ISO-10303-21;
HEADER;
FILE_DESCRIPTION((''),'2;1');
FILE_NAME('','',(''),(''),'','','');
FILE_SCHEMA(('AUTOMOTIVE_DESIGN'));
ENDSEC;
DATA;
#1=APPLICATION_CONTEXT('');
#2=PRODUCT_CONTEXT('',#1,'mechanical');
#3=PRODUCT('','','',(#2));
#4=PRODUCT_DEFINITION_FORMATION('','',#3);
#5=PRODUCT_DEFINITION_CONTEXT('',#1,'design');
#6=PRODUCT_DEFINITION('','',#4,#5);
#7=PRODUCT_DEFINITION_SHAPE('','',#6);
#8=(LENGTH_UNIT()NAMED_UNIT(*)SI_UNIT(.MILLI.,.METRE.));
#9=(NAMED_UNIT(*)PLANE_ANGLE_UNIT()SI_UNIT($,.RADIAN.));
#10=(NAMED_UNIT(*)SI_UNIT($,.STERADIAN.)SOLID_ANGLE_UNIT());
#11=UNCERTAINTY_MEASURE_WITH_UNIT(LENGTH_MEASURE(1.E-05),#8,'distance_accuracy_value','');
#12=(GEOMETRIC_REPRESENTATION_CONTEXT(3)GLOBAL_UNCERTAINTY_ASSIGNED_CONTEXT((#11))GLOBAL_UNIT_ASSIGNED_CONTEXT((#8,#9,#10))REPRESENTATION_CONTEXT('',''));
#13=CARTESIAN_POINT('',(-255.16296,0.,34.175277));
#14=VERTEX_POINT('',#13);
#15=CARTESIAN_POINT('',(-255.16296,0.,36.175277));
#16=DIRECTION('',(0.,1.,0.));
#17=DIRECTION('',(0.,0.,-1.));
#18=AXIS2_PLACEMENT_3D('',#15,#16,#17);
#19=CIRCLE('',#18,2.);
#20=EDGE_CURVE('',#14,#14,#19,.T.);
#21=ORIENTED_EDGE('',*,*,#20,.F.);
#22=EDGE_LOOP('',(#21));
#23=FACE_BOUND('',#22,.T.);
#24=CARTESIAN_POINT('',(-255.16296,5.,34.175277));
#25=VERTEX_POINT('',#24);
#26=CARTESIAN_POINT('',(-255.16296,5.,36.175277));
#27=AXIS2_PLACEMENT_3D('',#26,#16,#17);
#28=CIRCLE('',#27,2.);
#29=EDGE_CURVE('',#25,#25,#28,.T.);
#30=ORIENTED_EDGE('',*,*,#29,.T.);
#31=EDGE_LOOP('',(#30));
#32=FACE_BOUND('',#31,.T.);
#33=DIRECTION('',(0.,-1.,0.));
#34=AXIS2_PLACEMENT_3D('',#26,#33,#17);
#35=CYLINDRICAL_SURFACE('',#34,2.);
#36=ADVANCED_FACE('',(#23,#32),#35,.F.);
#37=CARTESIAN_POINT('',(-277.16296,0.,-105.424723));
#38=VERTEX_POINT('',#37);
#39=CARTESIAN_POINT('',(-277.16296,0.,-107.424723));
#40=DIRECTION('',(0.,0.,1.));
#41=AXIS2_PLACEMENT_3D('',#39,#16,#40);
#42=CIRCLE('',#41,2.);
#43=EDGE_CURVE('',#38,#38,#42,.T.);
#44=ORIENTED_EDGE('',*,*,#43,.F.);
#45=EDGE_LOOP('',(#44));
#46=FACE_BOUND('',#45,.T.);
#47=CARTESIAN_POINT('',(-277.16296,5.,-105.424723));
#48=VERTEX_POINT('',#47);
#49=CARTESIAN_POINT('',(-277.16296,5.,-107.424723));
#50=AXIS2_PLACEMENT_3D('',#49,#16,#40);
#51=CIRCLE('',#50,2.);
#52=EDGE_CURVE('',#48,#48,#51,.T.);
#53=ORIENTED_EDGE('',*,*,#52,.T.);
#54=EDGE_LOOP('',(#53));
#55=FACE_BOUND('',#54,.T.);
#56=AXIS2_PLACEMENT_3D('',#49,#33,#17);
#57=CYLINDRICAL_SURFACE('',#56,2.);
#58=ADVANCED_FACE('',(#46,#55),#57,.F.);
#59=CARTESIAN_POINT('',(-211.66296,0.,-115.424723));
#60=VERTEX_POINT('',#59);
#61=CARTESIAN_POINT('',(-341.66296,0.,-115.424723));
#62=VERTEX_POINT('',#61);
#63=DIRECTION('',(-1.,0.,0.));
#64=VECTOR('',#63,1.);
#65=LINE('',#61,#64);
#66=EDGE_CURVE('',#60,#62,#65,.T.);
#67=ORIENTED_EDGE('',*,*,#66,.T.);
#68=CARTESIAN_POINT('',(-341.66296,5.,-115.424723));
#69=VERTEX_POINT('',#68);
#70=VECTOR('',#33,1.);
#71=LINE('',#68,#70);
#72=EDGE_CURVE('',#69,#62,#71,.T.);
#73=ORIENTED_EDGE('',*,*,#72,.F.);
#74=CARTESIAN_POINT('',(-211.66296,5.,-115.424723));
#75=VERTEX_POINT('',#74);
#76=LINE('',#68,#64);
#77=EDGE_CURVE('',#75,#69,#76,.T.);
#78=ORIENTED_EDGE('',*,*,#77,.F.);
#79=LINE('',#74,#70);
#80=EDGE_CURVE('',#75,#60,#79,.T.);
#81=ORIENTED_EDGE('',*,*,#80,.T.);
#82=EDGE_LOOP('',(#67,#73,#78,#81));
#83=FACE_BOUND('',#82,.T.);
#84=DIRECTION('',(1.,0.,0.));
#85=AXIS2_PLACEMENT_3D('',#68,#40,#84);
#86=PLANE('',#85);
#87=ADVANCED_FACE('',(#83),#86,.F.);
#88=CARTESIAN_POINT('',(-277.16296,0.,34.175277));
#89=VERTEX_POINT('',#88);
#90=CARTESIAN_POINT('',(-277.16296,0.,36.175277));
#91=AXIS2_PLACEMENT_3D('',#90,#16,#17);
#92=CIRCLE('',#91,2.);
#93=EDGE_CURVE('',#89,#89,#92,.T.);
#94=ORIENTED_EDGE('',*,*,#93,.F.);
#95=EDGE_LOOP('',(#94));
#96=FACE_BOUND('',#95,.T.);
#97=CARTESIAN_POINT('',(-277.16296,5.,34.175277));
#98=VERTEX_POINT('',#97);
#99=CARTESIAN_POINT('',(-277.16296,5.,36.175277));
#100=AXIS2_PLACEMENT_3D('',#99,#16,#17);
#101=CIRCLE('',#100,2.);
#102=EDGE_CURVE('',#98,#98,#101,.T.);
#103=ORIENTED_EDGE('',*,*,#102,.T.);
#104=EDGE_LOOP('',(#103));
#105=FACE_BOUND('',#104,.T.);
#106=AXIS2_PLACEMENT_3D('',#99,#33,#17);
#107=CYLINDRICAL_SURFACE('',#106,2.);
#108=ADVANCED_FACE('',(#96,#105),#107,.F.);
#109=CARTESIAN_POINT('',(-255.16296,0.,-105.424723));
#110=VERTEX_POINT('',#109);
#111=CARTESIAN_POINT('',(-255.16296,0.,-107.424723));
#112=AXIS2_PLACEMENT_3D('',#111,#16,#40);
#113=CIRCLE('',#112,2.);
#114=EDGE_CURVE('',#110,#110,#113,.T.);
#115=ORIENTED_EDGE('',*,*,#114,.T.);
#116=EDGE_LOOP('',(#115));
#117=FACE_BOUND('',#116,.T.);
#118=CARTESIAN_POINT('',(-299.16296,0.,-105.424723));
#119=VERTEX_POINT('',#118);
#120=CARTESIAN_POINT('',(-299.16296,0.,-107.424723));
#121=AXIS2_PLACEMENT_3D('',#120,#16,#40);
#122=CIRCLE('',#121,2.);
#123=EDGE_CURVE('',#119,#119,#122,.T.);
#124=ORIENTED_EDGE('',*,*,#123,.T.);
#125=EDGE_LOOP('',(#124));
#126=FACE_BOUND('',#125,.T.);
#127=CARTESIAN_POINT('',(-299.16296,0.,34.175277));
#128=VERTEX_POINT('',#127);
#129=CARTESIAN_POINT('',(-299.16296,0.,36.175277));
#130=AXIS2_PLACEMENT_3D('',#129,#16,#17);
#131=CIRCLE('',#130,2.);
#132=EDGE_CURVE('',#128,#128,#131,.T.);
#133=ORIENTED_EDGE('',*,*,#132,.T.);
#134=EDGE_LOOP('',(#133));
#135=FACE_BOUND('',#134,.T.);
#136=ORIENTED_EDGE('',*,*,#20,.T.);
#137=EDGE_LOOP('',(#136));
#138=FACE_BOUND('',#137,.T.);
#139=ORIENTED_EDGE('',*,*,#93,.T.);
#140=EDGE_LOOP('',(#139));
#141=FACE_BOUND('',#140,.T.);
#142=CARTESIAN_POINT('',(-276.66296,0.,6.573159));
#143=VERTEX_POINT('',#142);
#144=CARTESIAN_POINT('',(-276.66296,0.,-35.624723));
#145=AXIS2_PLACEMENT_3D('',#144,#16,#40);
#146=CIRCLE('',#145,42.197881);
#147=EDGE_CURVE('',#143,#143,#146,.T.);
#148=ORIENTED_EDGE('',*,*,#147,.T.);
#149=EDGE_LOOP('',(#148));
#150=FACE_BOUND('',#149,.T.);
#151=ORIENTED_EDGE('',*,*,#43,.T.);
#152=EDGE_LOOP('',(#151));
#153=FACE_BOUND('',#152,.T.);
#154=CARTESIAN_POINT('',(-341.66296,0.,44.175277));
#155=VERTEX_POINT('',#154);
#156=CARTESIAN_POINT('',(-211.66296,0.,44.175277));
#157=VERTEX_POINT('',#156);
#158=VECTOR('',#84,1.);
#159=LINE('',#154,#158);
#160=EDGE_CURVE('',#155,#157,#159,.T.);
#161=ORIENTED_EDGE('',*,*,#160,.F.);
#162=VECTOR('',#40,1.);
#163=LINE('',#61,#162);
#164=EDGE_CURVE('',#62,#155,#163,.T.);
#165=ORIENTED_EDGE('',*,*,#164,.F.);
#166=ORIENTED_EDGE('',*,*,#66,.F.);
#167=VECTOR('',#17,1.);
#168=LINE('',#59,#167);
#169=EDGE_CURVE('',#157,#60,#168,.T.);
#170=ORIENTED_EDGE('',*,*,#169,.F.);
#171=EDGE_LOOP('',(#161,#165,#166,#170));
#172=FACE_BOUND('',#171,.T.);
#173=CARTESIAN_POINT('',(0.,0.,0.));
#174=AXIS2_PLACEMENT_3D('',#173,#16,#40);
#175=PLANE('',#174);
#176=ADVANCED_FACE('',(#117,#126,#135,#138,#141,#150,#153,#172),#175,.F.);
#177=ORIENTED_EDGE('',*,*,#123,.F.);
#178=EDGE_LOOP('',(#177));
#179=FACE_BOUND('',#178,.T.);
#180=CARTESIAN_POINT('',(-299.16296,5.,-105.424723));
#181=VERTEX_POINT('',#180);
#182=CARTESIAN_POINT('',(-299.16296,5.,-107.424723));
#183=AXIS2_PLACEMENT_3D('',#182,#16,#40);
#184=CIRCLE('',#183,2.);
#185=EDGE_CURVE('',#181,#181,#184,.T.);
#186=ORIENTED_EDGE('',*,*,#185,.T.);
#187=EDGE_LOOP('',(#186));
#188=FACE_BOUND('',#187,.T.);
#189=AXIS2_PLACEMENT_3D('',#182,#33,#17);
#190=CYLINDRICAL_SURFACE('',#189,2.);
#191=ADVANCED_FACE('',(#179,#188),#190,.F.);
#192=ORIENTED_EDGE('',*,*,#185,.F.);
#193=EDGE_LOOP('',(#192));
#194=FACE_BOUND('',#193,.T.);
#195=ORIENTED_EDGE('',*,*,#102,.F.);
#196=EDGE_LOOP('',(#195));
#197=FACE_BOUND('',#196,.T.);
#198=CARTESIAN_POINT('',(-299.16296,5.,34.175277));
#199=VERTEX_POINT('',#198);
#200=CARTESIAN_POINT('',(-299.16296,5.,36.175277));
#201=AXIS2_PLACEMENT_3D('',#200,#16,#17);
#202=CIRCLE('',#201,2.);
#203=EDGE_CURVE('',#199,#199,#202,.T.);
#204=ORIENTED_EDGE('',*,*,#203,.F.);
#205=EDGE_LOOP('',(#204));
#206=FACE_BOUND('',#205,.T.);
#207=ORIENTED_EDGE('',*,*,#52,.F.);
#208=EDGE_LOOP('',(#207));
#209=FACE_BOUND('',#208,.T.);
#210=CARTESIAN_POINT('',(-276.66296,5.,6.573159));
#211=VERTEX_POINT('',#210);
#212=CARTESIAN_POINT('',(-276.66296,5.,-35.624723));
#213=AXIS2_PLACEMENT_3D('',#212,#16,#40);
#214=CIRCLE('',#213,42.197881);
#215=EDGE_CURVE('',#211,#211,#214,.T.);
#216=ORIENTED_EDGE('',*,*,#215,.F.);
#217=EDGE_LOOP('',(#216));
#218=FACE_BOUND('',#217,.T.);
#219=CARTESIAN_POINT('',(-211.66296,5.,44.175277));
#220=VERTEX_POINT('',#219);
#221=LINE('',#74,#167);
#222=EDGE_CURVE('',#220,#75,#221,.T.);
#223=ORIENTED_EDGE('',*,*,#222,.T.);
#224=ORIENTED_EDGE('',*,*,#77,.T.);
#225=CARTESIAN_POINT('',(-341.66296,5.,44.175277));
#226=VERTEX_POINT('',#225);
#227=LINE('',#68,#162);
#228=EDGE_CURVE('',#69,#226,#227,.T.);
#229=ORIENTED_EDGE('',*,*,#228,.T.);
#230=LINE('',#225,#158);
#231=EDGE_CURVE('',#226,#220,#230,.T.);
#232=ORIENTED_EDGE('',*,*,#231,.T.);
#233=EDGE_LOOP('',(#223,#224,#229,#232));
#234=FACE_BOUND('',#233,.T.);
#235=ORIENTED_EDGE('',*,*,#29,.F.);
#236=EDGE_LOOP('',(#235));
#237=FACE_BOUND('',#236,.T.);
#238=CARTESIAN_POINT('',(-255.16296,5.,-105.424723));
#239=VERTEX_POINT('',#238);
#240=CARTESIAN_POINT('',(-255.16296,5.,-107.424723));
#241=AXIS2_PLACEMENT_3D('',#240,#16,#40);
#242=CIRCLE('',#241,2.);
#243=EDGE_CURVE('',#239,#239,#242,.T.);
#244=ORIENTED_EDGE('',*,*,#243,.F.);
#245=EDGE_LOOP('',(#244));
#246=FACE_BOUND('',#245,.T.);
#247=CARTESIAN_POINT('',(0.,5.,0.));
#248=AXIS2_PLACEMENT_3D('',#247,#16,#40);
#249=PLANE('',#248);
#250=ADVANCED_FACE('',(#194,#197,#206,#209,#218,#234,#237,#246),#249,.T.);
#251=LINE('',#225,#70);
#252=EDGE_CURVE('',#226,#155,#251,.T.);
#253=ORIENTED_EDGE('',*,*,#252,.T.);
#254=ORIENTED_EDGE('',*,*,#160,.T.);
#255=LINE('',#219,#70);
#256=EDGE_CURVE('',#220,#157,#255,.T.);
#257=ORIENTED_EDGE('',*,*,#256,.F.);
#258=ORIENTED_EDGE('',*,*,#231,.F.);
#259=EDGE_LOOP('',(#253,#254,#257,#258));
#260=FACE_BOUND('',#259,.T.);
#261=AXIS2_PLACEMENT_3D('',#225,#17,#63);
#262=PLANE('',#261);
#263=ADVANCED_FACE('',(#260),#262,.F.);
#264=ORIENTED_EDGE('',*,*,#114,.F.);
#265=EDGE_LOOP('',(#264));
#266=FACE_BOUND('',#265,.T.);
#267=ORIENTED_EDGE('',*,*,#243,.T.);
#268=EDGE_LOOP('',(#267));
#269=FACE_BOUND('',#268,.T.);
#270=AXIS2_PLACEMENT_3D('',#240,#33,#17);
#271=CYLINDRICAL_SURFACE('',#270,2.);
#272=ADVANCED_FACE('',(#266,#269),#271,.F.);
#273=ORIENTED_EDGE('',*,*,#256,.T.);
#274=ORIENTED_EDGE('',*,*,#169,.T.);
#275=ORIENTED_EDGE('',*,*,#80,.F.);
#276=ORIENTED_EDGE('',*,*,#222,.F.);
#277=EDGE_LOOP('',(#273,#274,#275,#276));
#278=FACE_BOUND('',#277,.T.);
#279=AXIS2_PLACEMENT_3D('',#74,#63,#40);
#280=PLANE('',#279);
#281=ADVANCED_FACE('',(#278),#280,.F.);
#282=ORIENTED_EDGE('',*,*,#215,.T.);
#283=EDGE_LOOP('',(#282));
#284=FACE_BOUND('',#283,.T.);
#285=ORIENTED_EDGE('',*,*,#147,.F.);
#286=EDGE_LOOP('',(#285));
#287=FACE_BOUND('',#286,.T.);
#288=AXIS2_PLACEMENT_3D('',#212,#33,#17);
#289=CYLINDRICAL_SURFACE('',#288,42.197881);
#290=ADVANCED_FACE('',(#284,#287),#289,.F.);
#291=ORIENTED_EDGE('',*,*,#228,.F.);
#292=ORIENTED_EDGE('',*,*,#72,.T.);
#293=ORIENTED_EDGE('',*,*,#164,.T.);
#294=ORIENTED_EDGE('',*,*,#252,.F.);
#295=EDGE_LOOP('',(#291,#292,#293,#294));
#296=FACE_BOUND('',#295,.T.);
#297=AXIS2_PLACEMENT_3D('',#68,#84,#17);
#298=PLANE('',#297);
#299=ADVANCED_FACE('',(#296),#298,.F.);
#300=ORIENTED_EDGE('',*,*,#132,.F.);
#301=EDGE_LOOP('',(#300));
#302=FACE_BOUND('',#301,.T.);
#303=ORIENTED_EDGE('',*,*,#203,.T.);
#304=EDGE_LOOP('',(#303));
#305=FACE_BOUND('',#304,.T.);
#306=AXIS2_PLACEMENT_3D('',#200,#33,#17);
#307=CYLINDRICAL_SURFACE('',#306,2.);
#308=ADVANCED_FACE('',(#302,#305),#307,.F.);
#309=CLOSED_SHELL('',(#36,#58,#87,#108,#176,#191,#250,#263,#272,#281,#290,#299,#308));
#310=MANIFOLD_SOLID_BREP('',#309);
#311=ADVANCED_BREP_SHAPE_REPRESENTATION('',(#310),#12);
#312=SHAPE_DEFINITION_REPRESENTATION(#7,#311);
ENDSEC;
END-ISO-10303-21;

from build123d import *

# Parameters (mm, degrees)
SKETCH1_W           = 130
SKETCH1_H           = 159.6
SKETCH1_R           = 42.197881281
SKETCH1_R_2         = 2
BOSS_EXTRUDE1_DEPTH = 5


with BuildPart() as part:
    # Sketch1 → Boss-Extrude1 (new body)
    with BuildSketch(Plane(origin=(0, 0, 0), x_dir=(1, 0, 0), z_dir=(0, 1, 0))):
        with Locations((-276.66296023, 35.624722657)):
            Rectangle(SKETCH1_W, SKETCH1_H)
        with Locations(Location((-276.66296023, 35.624722657, 0), (0, 0, 270))):
            Circle(SKETCH1_R, mode=Mode.SUBTRACT)
        with Locations(Location((-299.16296023, 107.424722657, 0), (0, 0, 270))):
            Circle(SKETCH1_R_2, mode=Mode.SUBTRACT)
        with Locations(Location((-277.16296023, 107.424722657, 0), (0, 0, 270))):
            Circle(SKETCH1_R_2, mode=Mode.SUBTRACT)
        with Locations(Location((-255.16296023, 107.424722657, 0), (0, 0, 270))):
            Circle(SKETCH1_R_2, mode=Mode.SUBTRACT)
        with Locations(Location((-255.16296023, -36.175277343, 0), (0, 0, 90))):
            Circle(SKETCH1_R_2, mode=Mode.SUBTRACT)
        with Locations(Location((-277.16296023, -36.175277343, 0), (0, 0, 90))):
            Circle(SKETCH1_R_2, mode=Mode.SUBTRACT)
        with Locations(Location((-299.16296023, -36.175277343, 0), (0, 0, 90))):
            Circle(SKETCH1_R_2, mode=Mode.SUBTRACT)
    extrude(amount=BOSS_EXTRUDE1_DEPTH)


solid = part.part
